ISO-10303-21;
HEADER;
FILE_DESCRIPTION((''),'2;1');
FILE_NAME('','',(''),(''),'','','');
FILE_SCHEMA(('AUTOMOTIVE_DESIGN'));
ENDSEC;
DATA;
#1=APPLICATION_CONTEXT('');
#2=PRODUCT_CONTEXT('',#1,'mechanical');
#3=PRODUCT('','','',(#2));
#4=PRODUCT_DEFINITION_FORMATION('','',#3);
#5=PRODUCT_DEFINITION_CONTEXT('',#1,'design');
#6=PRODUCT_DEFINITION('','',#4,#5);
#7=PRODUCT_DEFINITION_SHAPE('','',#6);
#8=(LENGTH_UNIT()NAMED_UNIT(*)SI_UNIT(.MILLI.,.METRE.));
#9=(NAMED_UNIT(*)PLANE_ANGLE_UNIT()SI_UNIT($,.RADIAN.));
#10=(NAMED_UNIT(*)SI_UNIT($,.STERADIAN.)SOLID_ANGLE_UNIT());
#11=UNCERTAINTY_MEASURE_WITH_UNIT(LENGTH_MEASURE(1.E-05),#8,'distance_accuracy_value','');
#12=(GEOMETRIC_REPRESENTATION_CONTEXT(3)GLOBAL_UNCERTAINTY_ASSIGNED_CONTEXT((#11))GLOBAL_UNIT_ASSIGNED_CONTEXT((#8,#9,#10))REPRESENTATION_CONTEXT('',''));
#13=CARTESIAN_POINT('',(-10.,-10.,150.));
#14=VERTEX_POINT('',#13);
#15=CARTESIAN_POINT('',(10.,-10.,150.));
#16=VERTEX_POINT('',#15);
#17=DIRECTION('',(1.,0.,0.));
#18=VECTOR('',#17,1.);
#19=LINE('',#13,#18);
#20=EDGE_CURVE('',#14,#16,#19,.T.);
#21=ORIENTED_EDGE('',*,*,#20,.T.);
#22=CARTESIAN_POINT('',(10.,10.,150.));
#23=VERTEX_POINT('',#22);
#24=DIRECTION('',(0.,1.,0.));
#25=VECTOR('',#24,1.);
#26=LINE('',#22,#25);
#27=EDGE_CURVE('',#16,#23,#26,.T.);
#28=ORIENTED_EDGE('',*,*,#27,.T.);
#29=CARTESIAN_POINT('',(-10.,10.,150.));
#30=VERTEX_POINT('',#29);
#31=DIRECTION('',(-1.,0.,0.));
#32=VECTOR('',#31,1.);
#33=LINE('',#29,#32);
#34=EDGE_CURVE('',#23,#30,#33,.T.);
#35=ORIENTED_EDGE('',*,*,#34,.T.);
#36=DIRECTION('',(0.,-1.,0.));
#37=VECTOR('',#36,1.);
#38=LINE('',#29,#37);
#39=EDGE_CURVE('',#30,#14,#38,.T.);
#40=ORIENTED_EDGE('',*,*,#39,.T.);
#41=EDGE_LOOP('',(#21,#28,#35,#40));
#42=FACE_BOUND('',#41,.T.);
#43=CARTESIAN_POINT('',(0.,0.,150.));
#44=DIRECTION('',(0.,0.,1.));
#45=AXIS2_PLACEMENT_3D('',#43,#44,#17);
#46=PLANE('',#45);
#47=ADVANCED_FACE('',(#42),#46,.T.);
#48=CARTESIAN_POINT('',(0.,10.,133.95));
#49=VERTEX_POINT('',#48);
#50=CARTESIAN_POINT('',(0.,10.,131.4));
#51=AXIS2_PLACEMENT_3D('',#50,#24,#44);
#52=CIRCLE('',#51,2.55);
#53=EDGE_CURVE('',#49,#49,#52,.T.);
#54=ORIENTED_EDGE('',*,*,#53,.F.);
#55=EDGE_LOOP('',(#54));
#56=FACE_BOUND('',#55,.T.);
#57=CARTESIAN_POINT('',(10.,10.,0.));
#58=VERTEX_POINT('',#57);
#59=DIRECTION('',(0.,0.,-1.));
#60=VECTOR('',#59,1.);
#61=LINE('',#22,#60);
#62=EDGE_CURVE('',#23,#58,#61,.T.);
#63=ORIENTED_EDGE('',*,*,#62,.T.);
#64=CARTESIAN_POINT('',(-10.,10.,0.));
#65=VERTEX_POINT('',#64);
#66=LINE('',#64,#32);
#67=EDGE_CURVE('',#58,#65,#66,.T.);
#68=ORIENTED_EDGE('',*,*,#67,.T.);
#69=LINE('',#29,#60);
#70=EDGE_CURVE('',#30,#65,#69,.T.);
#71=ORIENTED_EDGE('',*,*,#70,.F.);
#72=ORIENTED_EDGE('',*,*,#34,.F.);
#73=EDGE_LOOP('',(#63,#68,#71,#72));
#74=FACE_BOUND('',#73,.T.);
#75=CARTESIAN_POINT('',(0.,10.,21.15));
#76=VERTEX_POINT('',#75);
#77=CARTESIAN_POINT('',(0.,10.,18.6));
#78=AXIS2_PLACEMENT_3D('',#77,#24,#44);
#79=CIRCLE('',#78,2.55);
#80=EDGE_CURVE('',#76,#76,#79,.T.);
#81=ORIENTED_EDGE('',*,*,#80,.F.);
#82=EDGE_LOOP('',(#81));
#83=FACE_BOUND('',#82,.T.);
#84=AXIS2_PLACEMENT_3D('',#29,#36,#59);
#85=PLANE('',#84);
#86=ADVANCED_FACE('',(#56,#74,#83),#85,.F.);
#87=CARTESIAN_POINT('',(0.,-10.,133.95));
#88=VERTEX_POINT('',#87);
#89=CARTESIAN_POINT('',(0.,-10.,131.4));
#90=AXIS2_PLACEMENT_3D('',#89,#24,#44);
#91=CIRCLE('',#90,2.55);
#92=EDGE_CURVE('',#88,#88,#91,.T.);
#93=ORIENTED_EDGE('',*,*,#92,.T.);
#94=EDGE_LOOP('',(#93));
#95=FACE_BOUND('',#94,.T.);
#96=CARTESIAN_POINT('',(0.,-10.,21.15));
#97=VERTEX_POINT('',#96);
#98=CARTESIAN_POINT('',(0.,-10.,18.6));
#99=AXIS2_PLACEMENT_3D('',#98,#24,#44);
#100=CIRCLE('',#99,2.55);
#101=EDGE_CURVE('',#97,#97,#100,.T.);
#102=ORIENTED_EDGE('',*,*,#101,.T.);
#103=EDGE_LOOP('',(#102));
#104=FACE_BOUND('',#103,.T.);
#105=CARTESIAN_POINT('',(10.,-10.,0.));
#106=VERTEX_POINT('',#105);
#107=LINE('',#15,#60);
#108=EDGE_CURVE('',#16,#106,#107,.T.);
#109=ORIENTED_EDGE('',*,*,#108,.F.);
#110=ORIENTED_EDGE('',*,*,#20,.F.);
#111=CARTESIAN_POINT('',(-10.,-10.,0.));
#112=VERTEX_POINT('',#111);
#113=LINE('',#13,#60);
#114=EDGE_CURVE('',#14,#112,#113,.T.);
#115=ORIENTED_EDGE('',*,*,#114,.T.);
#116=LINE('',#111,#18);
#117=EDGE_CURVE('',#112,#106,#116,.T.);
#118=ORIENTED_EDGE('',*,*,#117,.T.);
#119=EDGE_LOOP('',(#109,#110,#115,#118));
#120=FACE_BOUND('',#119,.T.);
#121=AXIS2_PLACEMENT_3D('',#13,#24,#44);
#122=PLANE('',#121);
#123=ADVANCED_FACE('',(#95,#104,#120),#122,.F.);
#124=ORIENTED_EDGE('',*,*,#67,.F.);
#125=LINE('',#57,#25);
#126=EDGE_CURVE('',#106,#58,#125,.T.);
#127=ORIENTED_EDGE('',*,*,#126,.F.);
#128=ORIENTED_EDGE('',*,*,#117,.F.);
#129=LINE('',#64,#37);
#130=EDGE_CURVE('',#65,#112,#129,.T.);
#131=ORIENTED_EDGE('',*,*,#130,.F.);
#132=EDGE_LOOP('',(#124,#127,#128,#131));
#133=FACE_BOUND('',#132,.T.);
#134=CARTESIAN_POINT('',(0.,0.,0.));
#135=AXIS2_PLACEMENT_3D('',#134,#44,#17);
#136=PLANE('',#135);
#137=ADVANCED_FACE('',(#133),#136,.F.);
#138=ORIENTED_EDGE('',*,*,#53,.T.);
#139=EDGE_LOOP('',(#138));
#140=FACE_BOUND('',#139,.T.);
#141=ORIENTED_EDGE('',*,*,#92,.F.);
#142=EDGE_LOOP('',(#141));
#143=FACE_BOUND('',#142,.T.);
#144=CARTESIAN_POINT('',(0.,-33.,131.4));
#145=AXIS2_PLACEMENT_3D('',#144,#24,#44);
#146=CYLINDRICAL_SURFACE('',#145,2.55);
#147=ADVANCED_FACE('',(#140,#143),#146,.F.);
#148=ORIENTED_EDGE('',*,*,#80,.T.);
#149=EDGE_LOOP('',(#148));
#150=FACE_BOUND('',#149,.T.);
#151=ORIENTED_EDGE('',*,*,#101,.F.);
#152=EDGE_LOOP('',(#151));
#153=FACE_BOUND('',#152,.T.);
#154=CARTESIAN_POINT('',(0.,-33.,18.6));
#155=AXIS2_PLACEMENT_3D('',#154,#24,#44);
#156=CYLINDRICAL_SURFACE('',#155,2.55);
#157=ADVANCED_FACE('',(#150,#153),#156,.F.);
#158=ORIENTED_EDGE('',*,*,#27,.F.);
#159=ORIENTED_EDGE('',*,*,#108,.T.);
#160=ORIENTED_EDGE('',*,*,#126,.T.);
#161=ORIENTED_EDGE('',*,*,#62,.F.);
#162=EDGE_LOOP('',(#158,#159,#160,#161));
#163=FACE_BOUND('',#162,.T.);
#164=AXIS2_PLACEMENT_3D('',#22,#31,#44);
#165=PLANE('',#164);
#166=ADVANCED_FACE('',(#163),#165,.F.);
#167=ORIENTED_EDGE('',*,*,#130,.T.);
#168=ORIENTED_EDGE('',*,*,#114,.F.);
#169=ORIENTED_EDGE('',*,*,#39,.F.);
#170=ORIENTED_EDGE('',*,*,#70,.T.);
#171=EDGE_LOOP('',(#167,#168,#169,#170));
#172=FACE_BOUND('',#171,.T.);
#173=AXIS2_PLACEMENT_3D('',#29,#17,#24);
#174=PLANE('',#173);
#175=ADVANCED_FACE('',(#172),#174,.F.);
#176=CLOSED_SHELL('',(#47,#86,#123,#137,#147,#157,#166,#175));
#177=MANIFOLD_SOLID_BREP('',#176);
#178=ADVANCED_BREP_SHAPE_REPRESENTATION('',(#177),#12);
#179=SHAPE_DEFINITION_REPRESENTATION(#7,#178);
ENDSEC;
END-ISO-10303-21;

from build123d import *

# Parameters (mm, degrees)
SKETCH_1_W          = 20
SKETCH_1_H          = 20
EXTRUDE_1_DEPTH     = 150
SKETCH_2_R          = 2.55
CUT_EXTRUDE_1_DEPTH = 43


with BuildPart() as part:
    # 草图1 → 凸台-拉伸1 (new body)
    with BuildSketch(Plane.XY):
        Rectangle(SKETCH_1_W, SKETCH_1_H)
    extrude(amount=EXTRUDE_1_DEPTH)

    # 草图2 → 切除-拉伸1 (cut)
    with BuildSketch(Plane(origin=(0, 10, 0), x_dir=(1, 0, 0), z_dir=(0, 1, 0))):
        with Locations(Location((0, -131.4, 0), (0, 0, 270))):
            Circle(SKETCH_2_R)
        with Locations(Location((0, -18.6, 0), (0, 0, 270))):
            Circle(SKETCH_2_R)
    extrude(amount=-CUT_EXTRUDE_1_DEPTH, mode=Mode.SUBTRACT)


solid = part.part
